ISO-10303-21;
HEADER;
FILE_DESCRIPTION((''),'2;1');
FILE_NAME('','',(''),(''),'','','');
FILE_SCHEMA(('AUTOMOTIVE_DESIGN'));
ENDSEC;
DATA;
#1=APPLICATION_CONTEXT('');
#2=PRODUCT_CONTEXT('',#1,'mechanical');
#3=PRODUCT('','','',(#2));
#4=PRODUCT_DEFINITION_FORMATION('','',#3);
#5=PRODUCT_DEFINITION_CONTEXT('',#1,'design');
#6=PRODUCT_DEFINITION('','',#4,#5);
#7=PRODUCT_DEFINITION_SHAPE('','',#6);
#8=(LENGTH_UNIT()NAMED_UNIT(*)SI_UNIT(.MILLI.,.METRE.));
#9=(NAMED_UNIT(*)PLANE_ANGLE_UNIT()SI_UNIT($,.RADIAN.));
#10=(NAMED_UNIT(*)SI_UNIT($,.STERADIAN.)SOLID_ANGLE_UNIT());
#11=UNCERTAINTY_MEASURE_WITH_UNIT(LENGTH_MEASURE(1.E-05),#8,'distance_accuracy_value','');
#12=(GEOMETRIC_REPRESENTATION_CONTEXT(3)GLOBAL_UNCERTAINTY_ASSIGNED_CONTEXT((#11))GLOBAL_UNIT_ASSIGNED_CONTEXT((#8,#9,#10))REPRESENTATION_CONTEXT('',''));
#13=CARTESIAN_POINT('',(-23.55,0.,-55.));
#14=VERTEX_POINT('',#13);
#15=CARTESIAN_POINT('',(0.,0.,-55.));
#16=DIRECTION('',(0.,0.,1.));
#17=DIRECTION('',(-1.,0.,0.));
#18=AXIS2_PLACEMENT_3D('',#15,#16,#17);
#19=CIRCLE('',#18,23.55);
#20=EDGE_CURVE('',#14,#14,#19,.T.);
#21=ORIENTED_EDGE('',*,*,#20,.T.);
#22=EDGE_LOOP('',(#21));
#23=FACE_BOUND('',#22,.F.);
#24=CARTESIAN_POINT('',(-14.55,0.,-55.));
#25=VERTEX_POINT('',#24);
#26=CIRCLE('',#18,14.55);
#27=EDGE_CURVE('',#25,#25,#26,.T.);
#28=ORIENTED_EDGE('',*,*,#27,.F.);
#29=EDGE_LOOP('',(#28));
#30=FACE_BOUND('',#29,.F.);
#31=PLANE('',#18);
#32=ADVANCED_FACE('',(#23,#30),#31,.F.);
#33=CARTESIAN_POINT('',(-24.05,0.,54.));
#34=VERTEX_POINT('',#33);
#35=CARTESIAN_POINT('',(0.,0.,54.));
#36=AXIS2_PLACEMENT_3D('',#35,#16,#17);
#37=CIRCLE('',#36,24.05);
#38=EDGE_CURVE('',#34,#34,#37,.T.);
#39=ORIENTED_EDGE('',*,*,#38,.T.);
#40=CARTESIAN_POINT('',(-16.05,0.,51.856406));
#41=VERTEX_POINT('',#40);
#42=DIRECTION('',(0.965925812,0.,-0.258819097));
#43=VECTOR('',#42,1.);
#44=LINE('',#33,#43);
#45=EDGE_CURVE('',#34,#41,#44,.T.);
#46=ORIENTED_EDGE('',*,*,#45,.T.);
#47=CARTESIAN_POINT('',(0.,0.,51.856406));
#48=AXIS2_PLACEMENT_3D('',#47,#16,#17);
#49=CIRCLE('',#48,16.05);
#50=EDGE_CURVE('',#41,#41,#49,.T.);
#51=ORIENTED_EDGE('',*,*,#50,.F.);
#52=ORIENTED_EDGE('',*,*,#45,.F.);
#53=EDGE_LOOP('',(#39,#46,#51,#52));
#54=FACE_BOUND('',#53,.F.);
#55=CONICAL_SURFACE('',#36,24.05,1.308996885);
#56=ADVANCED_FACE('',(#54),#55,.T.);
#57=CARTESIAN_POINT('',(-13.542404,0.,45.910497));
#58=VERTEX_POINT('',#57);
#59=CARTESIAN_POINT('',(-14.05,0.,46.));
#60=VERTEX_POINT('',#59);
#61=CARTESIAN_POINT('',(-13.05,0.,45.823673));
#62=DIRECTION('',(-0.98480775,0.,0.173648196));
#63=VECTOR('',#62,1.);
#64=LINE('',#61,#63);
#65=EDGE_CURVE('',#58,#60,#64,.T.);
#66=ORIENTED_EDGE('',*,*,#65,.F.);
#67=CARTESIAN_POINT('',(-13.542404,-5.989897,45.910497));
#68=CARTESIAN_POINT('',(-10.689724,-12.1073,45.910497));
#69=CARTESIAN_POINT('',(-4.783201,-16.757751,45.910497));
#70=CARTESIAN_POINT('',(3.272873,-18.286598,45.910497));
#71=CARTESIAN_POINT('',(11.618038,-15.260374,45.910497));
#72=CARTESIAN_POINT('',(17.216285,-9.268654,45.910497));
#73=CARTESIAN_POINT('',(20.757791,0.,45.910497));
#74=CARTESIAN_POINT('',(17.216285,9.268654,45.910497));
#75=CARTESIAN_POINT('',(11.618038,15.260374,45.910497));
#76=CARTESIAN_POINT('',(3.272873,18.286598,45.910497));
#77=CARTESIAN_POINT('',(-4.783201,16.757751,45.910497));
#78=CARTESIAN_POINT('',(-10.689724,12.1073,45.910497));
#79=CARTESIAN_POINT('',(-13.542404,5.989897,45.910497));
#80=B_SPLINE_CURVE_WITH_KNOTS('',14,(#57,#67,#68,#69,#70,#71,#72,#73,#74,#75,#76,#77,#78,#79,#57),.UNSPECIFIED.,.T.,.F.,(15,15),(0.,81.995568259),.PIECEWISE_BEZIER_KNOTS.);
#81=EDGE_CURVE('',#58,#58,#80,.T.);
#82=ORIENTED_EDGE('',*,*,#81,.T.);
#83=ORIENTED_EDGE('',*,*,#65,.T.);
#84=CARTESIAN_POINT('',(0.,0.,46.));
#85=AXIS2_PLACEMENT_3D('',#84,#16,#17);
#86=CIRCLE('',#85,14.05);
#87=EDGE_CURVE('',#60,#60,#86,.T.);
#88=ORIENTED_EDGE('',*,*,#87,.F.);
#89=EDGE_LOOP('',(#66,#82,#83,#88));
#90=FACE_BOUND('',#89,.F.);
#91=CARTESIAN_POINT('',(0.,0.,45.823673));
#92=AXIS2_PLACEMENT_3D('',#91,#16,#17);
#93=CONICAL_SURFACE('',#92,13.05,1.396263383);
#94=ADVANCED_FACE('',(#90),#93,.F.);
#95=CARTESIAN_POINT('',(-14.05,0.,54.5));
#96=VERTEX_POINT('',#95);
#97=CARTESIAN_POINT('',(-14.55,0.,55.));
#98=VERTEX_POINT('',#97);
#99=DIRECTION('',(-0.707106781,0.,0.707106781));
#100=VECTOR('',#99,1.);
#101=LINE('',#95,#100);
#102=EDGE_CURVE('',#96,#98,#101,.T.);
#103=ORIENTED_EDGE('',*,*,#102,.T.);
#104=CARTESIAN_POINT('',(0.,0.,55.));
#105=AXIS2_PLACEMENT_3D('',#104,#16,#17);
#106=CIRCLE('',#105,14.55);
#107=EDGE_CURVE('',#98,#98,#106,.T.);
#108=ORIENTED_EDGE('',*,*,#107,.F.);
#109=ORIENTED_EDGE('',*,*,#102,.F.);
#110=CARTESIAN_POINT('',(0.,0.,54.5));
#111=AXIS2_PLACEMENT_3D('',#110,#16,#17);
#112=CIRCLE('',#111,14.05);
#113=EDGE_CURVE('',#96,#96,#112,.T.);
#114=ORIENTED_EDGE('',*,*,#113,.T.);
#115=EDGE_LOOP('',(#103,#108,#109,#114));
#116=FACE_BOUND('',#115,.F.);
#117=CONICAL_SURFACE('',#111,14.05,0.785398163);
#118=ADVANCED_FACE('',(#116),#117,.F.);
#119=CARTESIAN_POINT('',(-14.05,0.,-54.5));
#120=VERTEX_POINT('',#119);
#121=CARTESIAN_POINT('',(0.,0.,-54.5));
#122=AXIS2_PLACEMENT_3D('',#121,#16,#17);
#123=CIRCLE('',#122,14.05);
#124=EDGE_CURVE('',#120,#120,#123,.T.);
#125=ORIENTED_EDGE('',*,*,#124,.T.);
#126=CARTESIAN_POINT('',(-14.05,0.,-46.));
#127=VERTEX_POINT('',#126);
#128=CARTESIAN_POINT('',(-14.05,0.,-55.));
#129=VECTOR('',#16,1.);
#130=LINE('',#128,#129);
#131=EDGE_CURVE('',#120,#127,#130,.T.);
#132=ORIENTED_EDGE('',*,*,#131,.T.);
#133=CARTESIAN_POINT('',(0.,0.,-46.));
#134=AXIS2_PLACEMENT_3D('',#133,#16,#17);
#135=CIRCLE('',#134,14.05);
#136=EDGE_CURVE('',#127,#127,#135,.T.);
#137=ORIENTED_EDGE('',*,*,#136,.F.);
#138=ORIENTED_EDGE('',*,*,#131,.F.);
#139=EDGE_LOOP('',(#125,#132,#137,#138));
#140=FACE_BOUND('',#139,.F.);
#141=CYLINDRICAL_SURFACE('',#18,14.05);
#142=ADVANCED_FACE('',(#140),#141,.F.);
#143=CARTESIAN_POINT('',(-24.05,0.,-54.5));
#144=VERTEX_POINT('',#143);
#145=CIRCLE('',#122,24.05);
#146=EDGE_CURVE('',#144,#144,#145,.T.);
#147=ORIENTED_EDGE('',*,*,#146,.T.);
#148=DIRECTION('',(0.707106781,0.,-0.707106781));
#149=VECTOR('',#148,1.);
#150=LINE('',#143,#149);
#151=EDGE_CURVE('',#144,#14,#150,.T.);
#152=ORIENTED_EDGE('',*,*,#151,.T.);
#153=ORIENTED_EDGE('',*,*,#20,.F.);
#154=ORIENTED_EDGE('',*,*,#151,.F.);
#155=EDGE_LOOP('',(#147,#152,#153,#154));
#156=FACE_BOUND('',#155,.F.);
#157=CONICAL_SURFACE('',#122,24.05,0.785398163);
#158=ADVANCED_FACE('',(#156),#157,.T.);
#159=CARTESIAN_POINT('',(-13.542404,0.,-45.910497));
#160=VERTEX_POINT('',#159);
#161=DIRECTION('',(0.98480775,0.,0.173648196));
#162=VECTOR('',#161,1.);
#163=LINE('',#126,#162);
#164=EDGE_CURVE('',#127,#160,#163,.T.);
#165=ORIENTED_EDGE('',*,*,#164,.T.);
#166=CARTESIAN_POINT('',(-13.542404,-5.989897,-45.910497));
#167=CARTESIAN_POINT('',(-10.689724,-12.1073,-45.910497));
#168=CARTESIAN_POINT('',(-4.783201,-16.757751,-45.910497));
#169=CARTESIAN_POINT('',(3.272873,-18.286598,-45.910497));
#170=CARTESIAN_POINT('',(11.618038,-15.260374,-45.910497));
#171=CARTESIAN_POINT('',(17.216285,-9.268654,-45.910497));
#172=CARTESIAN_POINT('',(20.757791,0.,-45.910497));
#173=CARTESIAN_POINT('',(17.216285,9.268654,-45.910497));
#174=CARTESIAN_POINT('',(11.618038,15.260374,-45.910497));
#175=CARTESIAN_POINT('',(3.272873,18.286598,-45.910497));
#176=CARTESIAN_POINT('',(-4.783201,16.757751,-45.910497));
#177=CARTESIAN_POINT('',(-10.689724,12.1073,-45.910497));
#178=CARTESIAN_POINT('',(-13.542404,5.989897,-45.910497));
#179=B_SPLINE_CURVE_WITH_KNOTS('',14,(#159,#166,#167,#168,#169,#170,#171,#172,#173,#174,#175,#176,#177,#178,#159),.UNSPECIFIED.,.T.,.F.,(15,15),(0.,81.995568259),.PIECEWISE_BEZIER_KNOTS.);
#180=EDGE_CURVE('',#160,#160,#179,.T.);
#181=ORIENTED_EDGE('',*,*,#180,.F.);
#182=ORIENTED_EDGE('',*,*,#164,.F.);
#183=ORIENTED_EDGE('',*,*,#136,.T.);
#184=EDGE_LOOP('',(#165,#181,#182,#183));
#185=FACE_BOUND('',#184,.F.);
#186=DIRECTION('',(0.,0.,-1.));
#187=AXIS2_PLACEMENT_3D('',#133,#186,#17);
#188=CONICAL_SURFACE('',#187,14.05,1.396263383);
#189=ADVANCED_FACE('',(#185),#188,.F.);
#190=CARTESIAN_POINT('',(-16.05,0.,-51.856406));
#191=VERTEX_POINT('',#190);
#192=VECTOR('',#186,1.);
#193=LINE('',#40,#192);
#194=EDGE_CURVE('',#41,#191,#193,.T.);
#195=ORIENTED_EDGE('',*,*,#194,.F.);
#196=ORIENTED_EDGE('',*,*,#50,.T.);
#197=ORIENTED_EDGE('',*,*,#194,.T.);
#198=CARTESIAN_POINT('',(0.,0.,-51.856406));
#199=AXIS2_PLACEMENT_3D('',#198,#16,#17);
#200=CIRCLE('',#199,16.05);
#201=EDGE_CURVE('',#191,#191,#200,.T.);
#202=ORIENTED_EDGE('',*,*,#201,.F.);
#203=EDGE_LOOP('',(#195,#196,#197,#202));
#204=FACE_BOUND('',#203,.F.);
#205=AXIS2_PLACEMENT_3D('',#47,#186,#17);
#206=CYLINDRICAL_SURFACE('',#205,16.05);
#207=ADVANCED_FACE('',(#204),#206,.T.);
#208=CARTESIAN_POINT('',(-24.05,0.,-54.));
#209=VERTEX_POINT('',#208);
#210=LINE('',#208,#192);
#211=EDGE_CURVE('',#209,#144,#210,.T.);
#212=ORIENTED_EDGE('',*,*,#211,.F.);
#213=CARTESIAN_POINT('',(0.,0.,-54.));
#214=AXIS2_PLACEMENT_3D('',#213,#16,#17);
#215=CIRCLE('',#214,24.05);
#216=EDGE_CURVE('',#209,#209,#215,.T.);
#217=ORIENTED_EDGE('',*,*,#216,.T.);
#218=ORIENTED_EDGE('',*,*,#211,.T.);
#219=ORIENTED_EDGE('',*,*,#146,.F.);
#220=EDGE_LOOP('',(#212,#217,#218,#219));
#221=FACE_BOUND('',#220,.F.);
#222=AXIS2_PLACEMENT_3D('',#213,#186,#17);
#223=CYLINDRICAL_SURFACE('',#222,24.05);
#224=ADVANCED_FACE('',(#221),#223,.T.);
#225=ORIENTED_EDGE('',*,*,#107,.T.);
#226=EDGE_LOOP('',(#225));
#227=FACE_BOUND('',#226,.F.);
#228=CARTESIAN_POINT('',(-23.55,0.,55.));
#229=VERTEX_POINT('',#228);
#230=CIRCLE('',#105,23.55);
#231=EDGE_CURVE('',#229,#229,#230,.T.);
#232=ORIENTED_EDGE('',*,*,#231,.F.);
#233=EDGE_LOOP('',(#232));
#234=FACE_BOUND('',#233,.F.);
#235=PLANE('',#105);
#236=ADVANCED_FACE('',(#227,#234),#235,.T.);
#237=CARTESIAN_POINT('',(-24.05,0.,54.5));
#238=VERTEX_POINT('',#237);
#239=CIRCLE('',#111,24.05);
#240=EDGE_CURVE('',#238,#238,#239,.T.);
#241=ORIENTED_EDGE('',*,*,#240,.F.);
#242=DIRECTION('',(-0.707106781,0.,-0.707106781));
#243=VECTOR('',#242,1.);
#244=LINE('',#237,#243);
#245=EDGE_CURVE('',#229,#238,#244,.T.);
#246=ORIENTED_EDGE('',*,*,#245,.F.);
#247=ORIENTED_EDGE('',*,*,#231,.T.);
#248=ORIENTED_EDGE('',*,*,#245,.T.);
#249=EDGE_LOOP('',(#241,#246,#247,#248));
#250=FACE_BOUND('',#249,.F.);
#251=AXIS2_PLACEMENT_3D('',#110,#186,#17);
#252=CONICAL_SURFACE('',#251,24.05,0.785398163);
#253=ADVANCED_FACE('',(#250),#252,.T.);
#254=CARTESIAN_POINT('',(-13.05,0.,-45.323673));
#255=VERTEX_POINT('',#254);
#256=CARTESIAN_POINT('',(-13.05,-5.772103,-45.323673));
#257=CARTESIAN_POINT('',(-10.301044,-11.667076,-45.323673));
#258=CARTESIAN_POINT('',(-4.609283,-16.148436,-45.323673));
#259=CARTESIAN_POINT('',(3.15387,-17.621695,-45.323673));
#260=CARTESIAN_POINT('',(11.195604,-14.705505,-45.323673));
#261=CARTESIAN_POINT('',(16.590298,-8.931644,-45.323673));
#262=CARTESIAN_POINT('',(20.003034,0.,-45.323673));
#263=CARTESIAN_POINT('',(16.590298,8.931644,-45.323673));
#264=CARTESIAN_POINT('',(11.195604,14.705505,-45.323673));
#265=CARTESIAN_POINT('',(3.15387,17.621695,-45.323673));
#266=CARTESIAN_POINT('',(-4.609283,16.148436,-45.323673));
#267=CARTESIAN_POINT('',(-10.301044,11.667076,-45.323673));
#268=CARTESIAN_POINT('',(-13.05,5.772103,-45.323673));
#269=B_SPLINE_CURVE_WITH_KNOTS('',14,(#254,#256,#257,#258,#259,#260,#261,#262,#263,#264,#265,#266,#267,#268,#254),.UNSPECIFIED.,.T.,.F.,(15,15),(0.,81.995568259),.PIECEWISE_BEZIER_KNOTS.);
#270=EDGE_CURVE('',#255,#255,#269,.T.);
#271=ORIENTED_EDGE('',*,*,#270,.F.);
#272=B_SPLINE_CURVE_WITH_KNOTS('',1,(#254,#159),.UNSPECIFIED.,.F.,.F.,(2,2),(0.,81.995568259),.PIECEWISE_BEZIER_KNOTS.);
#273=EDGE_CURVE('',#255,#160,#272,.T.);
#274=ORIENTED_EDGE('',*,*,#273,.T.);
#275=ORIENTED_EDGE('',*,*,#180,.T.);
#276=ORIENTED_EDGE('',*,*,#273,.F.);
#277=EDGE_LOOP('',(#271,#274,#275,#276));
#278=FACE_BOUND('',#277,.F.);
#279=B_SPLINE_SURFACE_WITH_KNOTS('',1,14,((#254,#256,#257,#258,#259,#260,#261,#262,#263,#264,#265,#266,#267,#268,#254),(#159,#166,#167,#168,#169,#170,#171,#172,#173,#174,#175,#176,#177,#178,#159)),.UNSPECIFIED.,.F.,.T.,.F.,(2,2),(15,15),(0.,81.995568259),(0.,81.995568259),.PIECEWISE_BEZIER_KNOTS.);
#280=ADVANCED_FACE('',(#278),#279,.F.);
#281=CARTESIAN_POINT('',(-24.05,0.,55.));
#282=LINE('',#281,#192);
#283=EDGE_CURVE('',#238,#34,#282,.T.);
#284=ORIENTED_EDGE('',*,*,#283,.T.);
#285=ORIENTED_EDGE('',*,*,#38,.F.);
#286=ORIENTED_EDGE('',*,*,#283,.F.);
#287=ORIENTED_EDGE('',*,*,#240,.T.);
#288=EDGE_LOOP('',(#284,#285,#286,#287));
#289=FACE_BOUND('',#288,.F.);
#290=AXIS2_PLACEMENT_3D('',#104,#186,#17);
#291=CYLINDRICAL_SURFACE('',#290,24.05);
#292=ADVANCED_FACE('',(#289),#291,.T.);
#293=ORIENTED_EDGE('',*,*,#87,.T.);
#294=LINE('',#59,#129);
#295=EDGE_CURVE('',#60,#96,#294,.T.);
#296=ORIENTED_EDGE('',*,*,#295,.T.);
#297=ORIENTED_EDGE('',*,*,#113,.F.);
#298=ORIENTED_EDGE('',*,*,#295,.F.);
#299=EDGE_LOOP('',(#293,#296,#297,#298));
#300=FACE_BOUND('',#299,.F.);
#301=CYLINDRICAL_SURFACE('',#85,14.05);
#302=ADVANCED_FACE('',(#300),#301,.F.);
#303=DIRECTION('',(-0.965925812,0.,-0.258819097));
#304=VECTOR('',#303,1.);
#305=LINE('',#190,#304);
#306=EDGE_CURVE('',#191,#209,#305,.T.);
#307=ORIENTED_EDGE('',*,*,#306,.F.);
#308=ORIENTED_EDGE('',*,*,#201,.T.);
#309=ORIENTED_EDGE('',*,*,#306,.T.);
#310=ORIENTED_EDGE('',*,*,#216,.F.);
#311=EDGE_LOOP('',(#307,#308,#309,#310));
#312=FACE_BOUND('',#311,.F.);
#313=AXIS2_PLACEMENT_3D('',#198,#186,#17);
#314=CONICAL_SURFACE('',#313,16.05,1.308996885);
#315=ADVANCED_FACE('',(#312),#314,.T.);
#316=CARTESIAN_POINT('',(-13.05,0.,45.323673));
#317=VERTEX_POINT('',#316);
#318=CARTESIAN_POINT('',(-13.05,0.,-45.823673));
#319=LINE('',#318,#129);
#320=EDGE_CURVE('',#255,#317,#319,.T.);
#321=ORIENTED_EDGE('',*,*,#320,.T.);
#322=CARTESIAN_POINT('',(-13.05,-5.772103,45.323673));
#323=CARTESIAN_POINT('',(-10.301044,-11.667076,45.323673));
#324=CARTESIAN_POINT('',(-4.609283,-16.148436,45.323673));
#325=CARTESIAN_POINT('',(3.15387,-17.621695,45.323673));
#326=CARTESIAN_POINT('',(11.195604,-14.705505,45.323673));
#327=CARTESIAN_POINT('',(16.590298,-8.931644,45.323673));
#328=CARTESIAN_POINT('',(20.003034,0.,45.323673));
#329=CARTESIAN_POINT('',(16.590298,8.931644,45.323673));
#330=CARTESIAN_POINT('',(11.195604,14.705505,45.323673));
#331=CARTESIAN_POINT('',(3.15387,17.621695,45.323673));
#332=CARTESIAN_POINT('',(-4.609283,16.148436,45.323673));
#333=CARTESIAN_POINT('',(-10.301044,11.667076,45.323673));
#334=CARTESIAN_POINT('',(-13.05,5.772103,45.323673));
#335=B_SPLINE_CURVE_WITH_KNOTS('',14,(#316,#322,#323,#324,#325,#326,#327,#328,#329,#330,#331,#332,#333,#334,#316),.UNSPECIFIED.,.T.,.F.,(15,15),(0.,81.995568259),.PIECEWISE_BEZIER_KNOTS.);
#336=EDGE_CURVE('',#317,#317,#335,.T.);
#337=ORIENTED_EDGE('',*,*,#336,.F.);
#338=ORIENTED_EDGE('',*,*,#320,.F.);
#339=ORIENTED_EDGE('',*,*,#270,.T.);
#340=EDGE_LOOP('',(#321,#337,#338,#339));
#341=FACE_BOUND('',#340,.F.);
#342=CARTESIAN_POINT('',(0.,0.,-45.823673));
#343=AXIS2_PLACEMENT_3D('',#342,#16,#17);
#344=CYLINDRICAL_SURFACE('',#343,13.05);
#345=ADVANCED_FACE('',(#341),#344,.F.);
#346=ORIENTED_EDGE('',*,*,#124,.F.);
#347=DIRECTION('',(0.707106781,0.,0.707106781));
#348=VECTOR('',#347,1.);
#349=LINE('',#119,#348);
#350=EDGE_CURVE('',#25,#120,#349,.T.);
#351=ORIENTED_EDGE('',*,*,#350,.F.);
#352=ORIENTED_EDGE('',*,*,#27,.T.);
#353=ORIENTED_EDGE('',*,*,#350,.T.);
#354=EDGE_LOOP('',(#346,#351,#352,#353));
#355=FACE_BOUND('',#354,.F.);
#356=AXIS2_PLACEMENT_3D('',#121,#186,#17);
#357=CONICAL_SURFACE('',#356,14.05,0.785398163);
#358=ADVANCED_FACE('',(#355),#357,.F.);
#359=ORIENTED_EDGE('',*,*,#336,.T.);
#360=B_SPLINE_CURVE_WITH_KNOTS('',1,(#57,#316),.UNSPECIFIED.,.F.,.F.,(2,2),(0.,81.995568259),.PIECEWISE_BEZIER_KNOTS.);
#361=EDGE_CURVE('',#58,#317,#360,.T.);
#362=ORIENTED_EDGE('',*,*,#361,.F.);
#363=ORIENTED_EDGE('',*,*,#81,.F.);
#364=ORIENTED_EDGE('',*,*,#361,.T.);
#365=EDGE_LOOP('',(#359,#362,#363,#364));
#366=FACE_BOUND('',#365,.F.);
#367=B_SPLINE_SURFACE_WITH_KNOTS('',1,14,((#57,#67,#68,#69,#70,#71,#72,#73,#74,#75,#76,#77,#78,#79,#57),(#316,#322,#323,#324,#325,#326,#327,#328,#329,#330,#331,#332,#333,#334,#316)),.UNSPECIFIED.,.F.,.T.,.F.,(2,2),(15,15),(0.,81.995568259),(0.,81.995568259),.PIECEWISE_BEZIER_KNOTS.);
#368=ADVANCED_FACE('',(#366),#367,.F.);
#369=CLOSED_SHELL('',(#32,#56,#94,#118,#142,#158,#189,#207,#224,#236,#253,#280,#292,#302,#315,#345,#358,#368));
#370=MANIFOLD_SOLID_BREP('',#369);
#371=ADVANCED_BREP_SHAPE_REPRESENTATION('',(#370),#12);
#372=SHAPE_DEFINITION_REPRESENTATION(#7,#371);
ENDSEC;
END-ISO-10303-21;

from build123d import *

# Parameters (mm, degrees)
F3_SIZE = 0.5
F4_SIZE = 0.5


with BuildPart() as f2:
    # F1 (on Front) → F2 (revolve)
    with BuildSketch(Plane.XZ):
        Polygon((-16.05, 0), (-13.05, 0), (-13.05, 45.823673), (-14.05, 46), (-14.05, 55), (-24.05, 55), (-24.05, 54), (-16.05, 51.856406), align=None)
        Polygon((-24.05, -55), (-14.05, -55), (-14.05, -46), (-13.05, -45.823673), (-13.05, 0), (-16.05, 0), (-16.05, -51.856406), (-24.05, -54), align=None)
    revolve(axis=Axis((0, 0, 37.963357), (0, 0, 1)))

    # F3
    f3_edges = [f2.edges().sort_by_distance(p)[0] for p in [
        (14.05, 0, -55),
        (14.05, 0, 55),
        (24.05, 0, -55),
        (24.05, 0, 55),
    ]]
    chamfer(f3_edges, length=F3_SIZE)

    # F4
    f4_edges = [f2.edges().sort_by_distance(p)[0] for p in [
        (13.05, 0, 45.823673),
        (13.05, 0, -45.823673),
    ]]
    chamfer(f4_edges, length=F4_SIZE)


solid = f2.part
